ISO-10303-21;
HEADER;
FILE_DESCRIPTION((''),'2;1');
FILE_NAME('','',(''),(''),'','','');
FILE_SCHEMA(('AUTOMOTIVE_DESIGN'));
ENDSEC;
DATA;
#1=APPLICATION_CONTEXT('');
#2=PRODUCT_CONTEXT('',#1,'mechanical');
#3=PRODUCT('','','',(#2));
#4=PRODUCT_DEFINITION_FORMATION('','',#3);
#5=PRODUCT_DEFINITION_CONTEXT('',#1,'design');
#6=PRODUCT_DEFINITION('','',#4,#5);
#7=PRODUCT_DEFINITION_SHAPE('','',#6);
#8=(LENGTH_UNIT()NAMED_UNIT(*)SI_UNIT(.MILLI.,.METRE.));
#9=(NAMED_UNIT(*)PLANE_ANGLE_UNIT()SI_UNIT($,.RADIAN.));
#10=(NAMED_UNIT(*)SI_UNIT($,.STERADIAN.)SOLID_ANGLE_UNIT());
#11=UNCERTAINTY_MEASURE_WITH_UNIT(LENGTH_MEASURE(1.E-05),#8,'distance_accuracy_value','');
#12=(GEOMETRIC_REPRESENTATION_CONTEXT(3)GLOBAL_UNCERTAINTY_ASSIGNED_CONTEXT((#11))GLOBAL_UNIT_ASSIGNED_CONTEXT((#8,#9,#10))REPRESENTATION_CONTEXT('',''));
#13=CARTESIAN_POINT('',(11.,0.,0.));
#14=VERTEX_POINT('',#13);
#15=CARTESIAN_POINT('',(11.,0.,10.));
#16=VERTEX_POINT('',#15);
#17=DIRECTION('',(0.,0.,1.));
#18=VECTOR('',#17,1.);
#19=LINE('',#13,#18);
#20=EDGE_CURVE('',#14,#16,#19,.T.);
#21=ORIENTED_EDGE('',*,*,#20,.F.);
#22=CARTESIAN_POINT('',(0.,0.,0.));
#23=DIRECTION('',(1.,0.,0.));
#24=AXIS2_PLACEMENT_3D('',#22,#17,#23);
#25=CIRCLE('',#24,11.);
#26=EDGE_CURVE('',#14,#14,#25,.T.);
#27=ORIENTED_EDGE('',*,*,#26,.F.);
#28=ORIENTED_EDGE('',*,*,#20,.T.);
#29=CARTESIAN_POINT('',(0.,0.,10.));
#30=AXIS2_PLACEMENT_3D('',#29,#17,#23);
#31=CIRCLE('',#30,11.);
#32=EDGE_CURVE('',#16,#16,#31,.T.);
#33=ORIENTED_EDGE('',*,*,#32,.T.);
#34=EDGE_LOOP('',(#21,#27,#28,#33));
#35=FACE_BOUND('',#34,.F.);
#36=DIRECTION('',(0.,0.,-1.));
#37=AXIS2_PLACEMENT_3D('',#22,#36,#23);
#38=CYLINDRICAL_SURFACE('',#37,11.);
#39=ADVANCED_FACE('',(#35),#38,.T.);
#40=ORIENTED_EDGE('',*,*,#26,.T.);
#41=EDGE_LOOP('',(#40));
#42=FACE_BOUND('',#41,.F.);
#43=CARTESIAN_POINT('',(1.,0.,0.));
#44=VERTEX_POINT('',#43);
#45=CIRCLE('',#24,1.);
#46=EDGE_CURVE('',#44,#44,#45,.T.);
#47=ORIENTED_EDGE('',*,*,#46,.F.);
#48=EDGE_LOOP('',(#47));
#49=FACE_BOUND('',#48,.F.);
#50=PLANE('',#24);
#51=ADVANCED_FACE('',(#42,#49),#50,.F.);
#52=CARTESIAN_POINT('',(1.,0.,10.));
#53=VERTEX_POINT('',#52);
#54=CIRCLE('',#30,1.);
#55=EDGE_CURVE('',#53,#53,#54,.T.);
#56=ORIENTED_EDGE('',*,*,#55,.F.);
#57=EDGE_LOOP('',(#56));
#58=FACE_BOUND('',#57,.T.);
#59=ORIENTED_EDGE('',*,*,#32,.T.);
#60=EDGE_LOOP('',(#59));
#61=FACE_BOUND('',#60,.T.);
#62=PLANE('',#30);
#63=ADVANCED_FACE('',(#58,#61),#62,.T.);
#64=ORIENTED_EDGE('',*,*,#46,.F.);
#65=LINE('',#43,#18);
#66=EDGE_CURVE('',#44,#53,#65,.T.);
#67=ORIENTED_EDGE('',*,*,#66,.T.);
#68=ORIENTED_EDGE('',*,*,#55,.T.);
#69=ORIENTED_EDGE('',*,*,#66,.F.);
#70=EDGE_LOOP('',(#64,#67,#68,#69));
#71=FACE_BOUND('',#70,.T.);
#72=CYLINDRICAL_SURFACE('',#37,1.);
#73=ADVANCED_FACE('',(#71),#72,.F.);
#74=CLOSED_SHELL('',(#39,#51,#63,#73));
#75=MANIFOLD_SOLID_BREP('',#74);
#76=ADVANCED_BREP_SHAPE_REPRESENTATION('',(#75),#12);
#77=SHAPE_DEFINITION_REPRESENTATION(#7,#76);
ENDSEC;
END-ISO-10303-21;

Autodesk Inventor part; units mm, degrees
ref_plane "YZ Plane" through (0, 0, 0) normal (1, 0, 0) x (0, 1, 0)
ref_plane "XZ Plane" through (0, 0, 0) normal (0, 1, 0) x (-1, 0, 0)
ref_plane "XY Plane" through (0, 0, 0) normal (0, 0, 1) x (1, 0, 0)
sketch "Sketch1" plane through (0, 0, 0) normal (0, 0, 1) x (1, 0, 0)
  circle A0 centre (0, 0) radius 11
  circle A1 centre (0, 0) radius 1
  dimension "d0" = 22
  dimension "d1" = 10
extrude "Extrusion1" add sketch "Sketch1" along normal blind 10
properties part number "shoot"
